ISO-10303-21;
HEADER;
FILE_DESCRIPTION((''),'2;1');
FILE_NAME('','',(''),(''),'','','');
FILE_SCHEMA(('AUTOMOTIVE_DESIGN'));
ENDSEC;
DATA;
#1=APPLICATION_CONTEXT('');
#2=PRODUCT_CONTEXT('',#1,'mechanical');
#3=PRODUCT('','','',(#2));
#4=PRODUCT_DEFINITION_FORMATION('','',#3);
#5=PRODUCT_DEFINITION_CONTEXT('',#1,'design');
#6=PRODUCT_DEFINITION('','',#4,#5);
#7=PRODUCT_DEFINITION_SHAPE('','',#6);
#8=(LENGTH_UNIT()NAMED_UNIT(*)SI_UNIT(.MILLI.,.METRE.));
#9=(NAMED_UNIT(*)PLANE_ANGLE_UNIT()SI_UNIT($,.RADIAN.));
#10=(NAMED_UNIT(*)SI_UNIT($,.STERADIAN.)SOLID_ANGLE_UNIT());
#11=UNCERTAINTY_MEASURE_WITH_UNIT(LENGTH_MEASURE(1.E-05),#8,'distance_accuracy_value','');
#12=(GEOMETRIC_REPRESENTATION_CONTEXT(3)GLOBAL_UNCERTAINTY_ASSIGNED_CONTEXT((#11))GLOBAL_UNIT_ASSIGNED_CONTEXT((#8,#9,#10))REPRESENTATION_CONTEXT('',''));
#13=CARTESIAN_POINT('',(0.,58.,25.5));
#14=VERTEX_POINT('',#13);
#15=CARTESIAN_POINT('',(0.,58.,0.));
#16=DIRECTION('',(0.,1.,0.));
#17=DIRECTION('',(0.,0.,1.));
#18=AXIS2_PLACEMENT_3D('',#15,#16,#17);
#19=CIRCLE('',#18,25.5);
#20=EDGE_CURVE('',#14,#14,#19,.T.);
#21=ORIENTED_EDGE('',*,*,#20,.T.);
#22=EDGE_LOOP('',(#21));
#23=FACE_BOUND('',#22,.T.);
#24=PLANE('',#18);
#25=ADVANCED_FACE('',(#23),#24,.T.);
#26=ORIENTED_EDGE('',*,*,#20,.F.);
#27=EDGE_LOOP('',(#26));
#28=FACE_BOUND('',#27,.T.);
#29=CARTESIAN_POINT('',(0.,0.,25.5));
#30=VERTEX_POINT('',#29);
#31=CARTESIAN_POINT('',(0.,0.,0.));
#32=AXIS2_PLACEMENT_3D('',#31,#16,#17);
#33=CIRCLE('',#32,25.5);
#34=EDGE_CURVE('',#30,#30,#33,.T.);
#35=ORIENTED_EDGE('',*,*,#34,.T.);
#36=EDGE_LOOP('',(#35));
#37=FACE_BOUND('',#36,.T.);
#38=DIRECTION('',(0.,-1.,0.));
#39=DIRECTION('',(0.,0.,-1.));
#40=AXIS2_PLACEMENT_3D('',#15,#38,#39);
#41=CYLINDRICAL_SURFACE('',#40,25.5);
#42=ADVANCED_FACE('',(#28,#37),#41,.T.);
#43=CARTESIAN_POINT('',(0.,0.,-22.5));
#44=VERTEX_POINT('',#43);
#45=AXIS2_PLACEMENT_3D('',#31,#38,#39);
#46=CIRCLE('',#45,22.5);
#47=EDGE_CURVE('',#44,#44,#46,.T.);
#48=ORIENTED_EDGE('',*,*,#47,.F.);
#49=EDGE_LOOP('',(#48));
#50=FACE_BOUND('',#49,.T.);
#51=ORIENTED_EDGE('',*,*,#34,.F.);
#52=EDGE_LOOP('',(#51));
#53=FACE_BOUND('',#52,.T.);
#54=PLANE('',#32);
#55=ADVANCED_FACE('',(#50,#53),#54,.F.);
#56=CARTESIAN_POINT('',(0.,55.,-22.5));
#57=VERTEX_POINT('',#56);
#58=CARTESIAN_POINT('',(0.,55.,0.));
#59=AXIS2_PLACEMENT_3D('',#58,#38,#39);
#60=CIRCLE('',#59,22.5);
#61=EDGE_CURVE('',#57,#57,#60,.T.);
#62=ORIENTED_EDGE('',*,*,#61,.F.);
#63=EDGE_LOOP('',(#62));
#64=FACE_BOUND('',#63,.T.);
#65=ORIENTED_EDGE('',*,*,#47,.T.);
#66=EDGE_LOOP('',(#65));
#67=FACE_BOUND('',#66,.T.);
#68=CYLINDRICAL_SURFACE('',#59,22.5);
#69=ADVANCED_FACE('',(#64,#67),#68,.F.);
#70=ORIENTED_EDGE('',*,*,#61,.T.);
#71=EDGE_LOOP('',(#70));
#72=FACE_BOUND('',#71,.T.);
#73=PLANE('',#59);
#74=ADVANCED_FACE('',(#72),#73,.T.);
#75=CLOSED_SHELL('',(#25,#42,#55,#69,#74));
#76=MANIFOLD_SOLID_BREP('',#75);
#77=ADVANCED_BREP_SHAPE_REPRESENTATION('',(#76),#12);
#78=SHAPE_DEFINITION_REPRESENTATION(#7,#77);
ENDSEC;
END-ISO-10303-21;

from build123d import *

# Parameters (mm, degrees)
SKETCH1_R           = 25.5
BOSS_EXTRUDE1_DEPTH = 58
SKETCH2_R           = 22.5
CUT_EXTRUDE1_DEPTH  = 55


with BuildPart() as part:
    # Sketch1 → Boss-Extrude1 (new body)
    with BuildSketch(Plane(origin=(0, 0, 0), x_dir=(1, 0, 0), z_dir=(0, 1, 0))):
        with Locations(Location((0, 0, 0), (0, 0, 270))):  # turned: the seam where the file's is
            Circle(SKETCH1_R)
    extrude(amount=BOSS_EXTRUDE1_DEPTH)

    # Sketch2 → Cut-Extrude1 (cut)
    with BuildSketch(Plane.XZ):
        with Locations(Location((0, 0, 0), (0, 0, 270))):  # turned: the seam where the file's is
            Circle(SKETCH2_R)
    extrude(amount=-CUT_EXTRUDE1_DEPTH, mode=Mode.SUBTRACT)


solid = part.part
